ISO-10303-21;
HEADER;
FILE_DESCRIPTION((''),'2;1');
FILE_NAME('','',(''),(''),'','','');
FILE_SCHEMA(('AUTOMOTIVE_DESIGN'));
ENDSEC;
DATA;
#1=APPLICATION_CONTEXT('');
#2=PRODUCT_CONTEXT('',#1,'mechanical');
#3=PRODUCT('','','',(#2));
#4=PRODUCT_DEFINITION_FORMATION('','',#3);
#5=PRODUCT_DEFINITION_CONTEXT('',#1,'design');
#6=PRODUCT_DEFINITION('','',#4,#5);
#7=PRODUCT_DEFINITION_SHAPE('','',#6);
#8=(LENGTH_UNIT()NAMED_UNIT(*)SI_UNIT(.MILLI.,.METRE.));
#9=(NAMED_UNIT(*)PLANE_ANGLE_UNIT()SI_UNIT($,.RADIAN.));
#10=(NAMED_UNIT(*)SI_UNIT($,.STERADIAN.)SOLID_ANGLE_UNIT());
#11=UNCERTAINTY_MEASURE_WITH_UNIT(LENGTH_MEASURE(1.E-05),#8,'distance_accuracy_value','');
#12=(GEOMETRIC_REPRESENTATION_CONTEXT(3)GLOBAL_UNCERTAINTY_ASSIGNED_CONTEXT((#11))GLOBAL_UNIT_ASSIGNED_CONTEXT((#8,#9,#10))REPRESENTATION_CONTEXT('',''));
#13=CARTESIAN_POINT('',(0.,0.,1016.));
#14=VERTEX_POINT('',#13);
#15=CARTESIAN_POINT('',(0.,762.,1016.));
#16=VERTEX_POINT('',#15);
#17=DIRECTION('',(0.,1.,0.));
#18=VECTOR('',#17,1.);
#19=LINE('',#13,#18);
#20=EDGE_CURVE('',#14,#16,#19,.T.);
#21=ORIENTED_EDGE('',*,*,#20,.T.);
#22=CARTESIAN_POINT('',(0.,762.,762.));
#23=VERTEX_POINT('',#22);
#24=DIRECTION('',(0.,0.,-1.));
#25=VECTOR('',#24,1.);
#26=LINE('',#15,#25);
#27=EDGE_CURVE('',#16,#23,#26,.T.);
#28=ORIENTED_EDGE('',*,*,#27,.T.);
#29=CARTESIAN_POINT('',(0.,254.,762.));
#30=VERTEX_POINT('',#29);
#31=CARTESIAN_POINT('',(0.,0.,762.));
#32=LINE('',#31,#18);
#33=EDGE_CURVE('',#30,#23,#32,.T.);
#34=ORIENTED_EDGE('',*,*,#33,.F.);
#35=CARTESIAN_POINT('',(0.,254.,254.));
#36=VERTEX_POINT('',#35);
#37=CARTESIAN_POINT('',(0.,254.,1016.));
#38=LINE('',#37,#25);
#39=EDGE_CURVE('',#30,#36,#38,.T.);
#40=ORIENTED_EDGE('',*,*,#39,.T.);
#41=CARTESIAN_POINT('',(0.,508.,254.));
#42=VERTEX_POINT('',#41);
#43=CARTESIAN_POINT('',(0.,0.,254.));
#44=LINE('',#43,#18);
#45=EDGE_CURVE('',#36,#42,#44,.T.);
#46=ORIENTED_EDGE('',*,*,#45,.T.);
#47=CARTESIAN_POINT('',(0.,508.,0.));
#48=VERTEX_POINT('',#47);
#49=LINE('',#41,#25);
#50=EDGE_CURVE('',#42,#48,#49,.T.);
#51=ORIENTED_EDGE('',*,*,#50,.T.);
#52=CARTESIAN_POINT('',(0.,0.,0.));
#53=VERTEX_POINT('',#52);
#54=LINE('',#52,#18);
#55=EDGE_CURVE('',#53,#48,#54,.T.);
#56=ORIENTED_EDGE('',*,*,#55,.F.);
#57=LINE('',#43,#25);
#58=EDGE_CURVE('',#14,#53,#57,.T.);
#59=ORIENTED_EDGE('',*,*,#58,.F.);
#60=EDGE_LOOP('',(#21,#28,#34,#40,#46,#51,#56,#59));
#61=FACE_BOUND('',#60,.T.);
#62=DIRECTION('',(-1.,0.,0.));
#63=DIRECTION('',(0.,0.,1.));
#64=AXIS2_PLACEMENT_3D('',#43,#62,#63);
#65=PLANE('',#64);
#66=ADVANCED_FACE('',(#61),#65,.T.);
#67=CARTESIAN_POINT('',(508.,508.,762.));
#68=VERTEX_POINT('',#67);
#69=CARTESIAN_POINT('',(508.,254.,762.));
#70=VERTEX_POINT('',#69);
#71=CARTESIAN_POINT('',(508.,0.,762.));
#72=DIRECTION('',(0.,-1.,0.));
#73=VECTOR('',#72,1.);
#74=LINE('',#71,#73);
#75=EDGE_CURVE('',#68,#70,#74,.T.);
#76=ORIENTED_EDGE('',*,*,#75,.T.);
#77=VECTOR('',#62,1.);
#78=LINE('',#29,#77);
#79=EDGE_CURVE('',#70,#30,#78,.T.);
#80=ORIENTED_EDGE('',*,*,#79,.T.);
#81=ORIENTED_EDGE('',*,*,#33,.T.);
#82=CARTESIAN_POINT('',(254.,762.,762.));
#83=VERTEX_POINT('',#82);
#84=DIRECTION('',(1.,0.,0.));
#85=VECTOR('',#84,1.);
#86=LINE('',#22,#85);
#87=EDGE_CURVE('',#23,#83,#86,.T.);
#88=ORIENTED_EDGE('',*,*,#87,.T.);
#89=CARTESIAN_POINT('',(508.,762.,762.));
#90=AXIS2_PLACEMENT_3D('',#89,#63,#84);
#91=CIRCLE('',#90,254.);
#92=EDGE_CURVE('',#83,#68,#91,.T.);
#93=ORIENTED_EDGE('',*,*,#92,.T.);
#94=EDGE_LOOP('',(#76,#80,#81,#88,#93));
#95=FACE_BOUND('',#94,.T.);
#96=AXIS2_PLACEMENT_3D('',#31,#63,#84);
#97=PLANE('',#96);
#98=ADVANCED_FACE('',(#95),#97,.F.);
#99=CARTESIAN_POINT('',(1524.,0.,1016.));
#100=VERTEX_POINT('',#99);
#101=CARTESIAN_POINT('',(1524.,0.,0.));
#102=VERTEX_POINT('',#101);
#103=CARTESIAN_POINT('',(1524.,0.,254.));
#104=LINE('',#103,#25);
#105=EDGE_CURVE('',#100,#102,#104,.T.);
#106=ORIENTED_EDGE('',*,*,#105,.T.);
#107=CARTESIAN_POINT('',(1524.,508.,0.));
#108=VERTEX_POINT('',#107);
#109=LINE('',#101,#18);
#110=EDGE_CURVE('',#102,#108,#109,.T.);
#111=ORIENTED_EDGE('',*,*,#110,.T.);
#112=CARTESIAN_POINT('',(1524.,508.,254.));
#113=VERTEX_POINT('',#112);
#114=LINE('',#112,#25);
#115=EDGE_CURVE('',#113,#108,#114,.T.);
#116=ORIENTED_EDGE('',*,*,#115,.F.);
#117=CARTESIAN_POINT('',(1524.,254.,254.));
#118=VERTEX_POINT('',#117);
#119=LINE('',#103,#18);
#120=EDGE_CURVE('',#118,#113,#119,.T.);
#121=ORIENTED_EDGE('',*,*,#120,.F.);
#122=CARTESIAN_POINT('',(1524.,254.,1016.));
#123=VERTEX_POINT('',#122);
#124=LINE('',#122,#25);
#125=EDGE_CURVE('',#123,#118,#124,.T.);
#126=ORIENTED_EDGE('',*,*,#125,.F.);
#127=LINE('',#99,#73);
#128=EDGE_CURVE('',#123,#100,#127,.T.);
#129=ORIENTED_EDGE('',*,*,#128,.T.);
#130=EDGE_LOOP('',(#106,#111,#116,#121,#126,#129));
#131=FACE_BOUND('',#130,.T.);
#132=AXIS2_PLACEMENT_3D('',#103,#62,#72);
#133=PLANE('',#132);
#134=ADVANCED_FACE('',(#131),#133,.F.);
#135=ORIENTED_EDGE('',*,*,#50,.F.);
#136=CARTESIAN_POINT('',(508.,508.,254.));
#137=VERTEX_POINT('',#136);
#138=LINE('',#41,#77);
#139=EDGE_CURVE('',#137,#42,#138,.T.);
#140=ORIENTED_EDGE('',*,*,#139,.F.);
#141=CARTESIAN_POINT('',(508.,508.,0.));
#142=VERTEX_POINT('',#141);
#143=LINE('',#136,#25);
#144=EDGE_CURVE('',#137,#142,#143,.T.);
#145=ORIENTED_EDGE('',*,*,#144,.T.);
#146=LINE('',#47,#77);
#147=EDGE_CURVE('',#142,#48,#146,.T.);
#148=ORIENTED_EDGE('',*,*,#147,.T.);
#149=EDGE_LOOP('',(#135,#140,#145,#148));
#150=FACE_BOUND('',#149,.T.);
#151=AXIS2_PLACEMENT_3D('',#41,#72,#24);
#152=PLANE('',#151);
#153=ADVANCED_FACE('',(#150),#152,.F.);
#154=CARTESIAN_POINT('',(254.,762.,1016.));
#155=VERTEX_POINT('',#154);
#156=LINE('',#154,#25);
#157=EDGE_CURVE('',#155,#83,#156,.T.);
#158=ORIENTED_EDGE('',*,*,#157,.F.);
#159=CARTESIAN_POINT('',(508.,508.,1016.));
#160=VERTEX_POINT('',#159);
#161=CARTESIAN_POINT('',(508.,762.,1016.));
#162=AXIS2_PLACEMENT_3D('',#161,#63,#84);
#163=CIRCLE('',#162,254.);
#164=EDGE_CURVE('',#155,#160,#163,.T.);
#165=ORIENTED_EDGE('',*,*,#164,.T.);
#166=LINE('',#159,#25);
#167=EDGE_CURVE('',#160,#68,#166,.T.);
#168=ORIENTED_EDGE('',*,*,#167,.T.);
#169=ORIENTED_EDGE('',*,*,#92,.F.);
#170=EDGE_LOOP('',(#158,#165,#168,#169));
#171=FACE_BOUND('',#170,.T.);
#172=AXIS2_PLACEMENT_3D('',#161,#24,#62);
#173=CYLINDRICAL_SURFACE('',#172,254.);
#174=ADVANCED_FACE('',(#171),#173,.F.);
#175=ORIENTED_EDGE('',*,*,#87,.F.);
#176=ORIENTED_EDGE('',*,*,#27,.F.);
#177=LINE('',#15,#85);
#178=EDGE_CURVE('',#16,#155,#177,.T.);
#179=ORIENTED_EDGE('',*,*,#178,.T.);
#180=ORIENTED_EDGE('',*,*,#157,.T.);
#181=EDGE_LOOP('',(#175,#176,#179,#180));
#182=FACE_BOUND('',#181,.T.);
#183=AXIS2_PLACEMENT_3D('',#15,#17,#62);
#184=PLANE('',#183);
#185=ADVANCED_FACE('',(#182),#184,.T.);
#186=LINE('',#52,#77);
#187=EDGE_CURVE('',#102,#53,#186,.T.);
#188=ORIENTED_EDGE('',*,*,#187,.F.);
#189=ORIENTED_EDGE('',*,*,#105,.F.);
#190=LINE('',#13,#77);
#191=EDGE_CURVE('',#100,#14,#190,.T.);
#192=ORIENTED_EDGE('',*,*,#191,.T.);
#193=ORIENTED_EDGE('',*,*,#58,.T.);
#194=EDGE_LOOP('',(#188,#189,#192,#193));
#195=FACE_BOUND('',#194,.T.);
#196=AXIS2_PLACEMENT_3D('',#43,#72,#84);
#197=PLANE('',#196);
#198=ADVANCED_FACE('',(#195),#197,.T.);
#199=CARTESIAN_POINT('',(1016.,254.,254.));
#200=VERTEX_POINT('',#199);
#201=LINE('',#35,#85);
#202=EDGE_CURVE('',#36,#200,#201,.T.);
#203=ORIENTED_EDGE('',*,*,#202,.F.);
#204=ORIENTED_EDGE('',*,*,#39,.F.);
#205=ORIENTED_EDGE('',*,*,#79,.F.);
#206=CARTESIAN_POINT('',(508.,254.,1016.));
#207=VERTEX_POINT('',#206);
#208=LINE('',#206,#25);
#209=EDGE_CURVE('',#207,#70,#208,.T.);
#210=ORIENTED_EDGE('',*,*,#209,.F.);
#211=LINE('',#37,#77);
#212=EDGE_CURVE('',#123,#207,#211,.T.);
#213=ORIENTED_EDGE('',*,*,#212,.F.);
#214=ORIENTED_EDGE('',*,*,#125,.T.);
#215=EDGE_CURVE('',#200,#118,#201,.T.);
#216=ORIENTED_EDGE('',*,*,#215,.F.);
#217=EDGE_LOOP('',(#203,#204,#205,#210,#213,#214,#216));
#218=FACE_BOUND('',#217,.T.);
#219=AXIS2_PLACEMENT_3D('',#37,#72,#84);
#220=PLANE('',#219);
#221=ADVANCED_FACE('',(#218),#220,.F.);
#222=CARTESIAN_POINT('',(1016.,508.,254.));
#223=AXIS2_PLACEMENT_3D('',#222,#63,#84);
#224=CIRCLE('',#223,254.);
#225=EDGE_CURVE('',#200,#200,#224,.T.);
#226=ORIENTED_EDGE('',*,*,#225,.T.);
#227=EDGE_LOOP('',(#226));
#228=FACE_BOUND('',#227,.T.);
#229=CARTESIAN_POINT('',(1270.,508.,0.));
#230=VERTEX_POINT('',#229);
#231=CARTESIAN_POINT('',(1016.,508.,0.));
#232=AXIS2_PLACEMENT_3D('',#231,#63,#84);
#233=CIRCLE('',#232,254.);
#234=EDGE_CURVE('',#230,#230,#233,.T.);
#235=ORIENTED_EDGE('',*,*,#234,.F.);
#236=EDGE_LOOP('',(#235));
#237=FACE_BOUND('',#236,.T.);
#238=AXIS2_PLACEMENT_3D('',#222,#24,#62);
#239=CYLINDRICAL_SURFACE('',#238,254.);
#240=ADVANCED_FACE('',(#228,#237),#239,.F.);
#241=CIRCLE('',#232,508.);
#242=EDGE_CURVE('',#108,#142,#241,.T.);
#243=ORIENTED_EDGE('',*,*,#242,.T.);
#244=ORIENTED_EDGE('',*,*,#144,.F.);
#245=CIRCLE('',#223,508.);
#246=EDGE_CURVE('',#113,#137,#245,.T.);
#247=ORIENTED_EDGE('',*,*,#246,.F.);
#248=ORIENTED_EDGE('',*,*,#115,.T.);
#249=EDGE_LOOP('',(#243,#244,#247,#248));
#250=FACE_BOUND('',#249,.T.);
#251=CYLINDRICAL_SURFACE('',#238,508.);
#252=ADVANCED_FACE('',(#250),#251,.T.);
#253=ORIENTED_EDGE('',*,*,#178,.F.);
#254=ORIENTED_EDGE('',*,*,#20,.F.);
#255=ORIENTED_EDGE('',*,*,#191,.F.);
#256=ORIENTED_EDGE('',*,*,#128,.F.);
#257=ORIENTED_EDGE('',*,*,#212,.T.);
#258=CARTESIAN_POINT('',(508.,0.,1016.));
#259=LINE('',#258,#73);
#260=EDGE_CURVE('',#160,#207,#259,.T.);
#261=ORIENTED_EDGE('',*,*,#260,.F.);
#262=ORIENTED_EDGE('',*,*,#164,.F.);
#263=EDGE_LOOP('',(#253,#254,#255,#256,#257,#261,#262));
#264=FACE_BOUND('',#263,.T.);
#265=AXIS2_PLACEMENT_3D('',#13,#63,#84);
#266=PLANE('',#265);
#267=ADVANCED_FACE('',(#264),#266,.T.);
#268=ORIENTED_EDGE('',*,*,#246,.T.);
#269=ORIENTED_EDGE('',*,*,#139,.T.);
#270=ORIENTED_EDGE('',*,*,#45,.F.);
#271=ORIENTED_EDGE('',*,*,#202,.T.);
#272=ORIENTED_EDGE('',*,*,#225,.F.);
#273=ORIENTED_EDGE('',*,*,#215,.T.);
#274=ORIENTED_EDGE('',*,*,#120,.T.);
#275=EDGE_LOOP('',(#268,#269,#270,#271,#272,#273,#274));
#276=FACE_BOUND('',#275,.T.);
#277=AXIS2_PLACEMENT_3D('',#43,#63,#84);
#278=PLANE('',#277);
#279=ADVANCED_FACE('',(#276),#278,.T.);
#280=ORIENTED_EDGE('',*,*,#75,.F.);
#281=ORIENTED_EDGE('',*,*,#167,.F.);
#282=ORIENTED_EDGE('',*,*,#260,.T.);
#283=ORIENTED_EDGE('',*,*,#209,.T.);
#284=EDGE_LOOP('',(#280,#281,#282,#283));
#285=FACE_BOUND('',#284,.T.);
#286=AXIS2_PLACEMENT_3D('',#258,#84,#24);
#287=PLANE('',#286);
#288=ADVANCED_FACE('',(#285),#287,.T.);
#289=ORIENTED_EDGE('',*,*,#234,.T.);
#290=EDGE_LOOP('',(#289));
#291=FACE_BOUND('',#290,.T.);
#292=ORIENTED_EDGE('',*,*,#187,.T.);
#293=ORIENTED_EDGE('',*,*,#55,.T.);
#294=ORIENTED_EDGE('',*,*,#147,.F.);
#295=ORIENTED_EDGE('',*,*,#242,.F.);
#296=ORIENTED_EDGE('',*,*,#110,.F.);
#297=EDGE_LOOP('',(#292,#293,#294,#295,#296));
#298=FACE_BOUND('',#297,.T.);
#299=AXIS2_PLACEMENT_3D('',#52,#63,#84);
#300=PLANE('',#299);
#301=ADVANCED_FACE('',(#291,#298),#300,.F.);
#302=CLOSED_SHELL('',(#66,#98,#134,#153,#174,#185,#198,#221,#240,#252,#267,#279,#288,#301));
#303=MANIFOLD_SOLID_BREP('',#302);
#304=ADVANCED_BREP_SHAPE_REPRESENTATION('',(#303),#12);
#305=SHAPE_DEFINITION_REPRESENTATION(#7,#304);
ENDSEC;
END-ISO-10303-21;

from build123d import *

# Parameters (mm, degrees)
SKETCH1_R           = 254
BOSS_EXTRUDE3_DEPTH = 254
BOSS_EXTRUDE4_DEPTH = 1016
BOSS_EXTRUDE5_START = 762
BOSS_EXTRUDE5_DEPTH = 254


with BuildPart() as part:
    # Sketch1 → Boss-Extrude3 (new body)
    with BuildSketch(Plane.XY):
        with BuildLine():
            Line((0, 0), (1524, 0))
            Line((1524, 0), (1524, 508))
            ThreePointArc((1524, 508), (1016, 1016), (508, 508))
            Line((508, 508), (0, 508))
            Line((0, 508), (0, 0))
        make_face()
        with Locations((1016, 508)):
            Circle(SKETCH1_R, mode=Mode.SUBTRACT)
    extrude(amount=BOSS_EXTRUDE3_DEPTH)

    # Sketch1<8> → Boss-Extrude4 (add)
    with BuildSketch(Plane.XY):
        Polygon((0, 254), (0, 0), (1524, 0), (1524, 254), (1016, 254), (508, 254), align=None)
    extrude(amount=BOSS_EXTRUDE4_DEPTH)

    # Sketch1<9> → Boss-Extrude5 (add)
    with BuildSketch(Plane.XY.offset(BOSS_EXTRUDE5_START)):
        with BuildLine():
            Line((0, 254), (508, 254))
            Line((508, 254), (508, 508))
            ThreePointArc((508, 508), (328.394877579, 582.394877579), (254, 762))
            Line((254, 762), (0, 762))
            Line((0, 762), (0, 254))
        make_face()
    extrude(amount=BOSS_EXTRUDE5_DEPTH)


solid = part.part
